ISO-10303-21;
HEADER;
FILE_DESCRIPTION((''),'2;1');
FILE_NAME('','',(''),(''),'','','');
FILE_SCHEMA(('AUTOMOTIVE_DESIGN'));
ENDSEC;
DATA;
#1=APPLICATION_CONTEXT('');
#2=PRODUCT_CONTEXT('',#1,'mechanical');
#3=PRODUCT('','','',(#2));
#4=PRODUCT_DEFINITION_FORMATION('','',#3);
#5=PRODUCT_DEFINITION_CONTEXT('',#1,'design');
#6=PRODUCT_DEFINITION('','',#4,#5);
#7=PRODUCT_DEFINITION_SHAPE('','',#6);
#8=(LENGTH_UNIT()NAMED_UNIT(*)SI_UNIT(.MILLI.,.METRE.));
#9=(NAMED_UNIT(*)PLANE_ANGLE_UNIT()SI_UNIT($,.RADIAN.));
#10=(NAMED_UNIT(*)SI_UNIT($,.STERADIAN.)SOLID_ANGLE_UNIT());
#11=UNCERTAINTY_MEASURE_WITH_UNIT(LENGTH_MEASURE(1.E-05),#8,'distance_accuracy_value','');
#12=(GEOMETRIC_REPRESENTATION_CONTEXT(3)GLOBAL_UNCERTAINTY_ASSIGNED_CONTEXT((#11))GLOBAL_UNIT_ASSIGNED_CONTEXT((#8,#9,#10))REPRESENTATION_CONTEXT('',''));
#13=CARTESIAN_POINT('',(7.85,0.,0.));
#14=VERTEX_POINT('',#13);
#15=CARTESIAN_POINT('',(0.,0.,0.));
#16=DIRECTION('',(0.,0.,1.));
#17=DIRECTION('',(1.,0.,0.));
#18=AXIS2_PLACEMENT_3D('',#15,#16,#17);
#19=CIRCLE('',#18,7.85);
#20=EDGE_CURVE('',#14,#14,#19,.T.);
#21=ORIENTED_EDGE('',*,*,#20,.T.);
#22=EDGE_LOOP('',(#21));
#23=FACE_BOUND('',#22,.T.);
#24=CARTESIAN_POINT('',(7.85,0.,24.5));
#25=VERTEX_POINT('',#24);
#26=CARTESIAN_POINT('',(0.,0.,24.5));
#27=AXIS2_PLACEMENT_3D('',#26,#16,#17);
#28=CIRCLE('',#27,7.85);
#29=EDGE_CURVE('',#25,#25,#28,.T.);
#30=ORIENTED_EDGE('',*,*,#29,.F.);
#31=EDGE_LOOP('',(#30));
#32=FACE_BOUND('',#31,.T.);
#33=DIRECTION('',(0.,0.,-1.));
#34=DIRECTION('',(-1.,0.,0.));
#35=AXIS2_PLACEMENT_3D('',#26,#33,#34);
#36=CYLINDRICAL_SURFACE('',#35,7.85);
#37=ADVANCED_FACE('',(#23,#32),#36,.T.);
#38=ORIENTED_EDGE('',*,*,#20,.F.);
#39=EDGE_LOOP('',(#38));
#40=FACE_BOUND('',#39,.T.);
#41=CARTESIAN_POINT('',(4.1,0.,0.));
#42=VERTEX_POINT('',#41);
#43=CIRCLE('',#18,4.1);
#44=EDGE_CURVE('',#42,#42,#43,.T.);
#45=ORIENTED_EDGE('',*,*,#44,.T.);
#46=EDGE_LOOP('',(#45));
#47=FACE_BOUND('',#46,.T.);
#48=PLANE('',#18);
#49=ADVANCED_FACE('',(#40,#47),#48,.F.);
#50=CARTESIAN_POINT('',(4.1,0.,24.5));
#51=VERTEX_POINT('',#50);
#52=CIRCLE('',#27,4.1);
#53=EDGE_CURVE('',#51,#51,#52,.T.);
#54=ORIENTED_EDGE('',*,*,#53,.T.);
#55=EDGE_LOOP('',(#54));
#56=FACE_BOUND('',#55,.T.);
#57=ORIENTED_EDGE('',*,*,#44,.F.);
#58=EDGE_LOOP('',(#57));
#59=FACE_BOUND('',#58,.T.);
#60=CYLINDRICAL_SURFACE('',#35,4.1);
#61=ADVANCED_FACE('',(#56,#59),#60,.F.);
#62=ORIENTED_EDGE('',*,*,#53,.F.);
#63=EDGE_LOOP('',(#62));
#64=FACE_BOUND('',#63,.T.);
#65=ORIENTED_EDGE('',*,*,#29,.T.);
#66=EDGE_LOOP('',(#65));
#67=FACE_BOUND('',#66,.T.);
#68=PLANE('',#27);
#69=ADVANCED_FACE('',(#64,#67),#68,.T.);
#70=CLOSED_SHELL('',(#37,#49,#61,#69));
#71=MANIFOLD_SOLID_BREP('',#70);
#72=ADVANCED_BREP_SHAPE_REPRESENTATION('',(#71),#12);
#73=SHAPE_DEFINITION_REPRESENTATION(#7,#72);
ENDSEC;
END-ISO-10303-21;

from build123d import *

# Parameters (mm, degrees)
SKETCH1_R           = 7.85
SKETCH1_R_2         = 4.1
BOSS_EXTRUDE1_DEPTH = 24.5


with BuildPart() as part:
    # Sketch1 → Boss-Extrude1 (new body)
    with BuildSketch(Plane.XY):
        Circle(SKETCH1_R)
        Circle(SKETCH1_R_2, mode=Mode.SUBTRACT)
    extrude(amount=BOSS_EXTRUDE1_DEPTH)


solid = part.part
